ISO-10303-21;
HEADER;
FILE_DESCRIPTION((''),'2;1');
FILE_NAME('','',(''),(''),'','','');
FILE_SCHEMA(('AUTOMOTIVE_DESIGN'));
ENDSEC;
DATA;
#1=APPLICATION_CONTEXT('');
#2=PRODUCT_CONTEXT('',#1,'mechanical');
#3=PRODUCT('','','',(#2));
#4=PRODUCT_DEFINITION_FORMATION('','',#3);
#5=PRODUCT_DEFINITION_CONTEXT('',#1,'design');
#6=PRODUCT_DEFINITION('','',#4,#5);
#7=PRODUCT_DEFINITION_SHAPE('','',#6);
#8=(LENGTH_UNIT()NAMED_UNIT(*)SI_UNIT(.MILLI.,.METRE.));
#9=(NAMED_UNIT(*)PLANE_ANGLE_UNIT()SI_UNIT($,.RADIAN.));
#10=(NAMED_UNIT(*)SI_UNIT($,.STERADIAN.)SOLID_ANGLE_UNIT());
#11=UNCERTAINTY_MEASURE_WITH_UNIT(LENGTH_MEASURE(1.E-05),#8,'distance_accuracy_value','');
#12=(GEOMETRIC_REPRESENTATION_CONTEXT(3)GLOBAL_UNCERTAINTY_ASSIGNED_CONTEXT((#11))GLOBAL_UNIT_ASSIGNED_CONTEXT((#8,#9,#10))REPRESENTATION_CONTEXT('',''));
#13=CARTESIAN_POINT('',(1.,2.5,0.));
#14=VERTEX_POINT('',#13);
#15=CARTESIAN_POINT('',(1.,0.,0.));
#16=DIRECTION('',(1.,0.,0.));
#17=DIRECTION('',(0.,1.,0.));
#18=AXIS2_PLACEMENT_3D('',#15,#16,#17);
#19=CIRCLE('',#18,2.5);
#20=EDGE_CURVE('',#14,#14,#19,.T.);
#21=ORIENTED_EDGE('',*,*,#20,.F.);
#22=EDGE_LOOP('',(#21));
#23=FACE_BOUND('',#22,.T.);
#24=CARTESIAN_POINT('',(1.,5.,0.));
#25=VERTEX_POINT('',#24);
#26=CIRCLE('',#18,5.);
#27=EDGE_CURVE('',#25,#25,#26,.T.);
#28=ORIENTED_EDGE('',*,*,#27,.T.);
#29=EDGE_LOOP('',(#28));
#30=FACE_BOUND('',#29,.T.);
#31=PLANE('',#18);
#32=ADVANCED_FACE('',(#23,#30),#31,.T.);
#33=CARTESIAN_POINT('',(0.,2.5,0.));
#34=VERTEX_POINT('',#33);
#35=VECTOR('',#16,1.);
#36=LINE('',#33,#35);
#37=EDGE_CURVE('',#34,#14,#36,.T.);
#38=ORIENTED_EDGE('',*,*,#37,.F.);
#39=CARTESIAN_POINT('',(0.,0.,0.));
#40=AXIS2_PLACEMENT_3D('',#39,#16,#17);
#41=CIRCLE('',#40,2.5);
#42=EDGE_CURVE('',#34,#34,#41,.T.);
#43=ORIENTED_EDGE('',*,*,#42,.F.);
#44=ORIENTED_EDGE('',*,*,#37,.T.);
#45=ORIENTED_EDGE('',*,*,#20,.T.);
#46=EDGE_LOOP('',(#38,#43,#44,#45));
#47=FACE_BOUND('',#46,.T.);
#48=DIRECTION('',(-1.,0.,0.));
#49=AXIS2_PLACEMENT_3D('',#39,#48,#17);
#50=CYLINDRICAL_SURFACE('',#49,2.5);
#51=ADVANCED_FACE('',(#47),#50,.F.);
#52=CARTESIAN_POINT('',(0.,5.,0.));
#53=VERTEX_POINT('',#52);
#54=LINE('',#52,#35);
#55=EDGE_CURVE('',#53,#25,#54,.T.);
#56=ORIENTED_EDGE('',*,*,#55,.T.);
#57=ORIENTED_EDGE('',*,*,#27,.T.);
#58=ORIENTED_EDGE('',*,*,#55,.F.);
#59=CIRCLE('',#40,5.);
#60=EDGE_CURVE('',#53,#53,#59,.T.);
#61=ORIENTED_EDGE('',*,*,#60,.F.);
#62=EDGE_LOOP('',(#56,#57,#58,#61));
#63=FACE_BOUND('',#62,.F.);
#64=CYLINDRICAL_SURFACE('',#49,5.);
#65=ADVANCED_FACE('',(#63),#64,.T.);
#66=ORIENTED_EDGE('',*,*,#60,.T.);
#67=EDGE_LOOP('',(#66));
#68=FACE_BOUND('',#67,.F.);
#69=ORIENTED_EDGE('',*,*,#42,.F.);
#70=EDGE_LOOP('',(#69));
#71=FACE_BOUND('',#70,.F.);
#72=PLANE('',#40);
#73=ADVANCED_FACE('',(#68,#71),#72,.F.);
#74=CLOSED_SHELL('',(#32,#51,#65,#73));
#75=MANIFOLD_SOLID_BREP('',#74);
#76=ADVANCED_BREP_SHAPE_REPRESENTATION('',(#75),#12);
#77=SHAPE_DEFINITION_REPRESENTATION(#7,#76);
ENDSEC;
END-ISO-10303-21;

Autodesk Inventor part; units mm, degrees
ref_plane "YZ Plane" through (0, 0, 0) normal (1, 0, 0) x (0, 1, 0)
ref_plane "XZ Plane" through (0, 0, 0) normal (0, 1, 0) x (-1, 0, 0)
sketch "Skizze" plane through (0, 0, 0) normal (1, 0, 0) x (0, 1, 0)
  circle A0 centre (0, 0) radius 5
  circle A1 centre (0, 0) radius 2.5
  dimension "d0" = 5
  dimension "d1" = 10
extrude "Körper" add sketch "Skizze" along normal blind 1
ref_plane "Work Plane1" through (0, 0, 0) normal (0, 0, 1) x (1, 0, 0)
equation "\"d0\" = SD1"
equation "\"d1\" = SD2"
equation "\"d2\" = SD"
equation "\"SD1\" = NND"
equation "\"SD2\" = 10"
equation "\"SD\" = 1"
equation "\"NND\" = 5"
properties part number "ISO 8738 - 5" material "Stahl"
